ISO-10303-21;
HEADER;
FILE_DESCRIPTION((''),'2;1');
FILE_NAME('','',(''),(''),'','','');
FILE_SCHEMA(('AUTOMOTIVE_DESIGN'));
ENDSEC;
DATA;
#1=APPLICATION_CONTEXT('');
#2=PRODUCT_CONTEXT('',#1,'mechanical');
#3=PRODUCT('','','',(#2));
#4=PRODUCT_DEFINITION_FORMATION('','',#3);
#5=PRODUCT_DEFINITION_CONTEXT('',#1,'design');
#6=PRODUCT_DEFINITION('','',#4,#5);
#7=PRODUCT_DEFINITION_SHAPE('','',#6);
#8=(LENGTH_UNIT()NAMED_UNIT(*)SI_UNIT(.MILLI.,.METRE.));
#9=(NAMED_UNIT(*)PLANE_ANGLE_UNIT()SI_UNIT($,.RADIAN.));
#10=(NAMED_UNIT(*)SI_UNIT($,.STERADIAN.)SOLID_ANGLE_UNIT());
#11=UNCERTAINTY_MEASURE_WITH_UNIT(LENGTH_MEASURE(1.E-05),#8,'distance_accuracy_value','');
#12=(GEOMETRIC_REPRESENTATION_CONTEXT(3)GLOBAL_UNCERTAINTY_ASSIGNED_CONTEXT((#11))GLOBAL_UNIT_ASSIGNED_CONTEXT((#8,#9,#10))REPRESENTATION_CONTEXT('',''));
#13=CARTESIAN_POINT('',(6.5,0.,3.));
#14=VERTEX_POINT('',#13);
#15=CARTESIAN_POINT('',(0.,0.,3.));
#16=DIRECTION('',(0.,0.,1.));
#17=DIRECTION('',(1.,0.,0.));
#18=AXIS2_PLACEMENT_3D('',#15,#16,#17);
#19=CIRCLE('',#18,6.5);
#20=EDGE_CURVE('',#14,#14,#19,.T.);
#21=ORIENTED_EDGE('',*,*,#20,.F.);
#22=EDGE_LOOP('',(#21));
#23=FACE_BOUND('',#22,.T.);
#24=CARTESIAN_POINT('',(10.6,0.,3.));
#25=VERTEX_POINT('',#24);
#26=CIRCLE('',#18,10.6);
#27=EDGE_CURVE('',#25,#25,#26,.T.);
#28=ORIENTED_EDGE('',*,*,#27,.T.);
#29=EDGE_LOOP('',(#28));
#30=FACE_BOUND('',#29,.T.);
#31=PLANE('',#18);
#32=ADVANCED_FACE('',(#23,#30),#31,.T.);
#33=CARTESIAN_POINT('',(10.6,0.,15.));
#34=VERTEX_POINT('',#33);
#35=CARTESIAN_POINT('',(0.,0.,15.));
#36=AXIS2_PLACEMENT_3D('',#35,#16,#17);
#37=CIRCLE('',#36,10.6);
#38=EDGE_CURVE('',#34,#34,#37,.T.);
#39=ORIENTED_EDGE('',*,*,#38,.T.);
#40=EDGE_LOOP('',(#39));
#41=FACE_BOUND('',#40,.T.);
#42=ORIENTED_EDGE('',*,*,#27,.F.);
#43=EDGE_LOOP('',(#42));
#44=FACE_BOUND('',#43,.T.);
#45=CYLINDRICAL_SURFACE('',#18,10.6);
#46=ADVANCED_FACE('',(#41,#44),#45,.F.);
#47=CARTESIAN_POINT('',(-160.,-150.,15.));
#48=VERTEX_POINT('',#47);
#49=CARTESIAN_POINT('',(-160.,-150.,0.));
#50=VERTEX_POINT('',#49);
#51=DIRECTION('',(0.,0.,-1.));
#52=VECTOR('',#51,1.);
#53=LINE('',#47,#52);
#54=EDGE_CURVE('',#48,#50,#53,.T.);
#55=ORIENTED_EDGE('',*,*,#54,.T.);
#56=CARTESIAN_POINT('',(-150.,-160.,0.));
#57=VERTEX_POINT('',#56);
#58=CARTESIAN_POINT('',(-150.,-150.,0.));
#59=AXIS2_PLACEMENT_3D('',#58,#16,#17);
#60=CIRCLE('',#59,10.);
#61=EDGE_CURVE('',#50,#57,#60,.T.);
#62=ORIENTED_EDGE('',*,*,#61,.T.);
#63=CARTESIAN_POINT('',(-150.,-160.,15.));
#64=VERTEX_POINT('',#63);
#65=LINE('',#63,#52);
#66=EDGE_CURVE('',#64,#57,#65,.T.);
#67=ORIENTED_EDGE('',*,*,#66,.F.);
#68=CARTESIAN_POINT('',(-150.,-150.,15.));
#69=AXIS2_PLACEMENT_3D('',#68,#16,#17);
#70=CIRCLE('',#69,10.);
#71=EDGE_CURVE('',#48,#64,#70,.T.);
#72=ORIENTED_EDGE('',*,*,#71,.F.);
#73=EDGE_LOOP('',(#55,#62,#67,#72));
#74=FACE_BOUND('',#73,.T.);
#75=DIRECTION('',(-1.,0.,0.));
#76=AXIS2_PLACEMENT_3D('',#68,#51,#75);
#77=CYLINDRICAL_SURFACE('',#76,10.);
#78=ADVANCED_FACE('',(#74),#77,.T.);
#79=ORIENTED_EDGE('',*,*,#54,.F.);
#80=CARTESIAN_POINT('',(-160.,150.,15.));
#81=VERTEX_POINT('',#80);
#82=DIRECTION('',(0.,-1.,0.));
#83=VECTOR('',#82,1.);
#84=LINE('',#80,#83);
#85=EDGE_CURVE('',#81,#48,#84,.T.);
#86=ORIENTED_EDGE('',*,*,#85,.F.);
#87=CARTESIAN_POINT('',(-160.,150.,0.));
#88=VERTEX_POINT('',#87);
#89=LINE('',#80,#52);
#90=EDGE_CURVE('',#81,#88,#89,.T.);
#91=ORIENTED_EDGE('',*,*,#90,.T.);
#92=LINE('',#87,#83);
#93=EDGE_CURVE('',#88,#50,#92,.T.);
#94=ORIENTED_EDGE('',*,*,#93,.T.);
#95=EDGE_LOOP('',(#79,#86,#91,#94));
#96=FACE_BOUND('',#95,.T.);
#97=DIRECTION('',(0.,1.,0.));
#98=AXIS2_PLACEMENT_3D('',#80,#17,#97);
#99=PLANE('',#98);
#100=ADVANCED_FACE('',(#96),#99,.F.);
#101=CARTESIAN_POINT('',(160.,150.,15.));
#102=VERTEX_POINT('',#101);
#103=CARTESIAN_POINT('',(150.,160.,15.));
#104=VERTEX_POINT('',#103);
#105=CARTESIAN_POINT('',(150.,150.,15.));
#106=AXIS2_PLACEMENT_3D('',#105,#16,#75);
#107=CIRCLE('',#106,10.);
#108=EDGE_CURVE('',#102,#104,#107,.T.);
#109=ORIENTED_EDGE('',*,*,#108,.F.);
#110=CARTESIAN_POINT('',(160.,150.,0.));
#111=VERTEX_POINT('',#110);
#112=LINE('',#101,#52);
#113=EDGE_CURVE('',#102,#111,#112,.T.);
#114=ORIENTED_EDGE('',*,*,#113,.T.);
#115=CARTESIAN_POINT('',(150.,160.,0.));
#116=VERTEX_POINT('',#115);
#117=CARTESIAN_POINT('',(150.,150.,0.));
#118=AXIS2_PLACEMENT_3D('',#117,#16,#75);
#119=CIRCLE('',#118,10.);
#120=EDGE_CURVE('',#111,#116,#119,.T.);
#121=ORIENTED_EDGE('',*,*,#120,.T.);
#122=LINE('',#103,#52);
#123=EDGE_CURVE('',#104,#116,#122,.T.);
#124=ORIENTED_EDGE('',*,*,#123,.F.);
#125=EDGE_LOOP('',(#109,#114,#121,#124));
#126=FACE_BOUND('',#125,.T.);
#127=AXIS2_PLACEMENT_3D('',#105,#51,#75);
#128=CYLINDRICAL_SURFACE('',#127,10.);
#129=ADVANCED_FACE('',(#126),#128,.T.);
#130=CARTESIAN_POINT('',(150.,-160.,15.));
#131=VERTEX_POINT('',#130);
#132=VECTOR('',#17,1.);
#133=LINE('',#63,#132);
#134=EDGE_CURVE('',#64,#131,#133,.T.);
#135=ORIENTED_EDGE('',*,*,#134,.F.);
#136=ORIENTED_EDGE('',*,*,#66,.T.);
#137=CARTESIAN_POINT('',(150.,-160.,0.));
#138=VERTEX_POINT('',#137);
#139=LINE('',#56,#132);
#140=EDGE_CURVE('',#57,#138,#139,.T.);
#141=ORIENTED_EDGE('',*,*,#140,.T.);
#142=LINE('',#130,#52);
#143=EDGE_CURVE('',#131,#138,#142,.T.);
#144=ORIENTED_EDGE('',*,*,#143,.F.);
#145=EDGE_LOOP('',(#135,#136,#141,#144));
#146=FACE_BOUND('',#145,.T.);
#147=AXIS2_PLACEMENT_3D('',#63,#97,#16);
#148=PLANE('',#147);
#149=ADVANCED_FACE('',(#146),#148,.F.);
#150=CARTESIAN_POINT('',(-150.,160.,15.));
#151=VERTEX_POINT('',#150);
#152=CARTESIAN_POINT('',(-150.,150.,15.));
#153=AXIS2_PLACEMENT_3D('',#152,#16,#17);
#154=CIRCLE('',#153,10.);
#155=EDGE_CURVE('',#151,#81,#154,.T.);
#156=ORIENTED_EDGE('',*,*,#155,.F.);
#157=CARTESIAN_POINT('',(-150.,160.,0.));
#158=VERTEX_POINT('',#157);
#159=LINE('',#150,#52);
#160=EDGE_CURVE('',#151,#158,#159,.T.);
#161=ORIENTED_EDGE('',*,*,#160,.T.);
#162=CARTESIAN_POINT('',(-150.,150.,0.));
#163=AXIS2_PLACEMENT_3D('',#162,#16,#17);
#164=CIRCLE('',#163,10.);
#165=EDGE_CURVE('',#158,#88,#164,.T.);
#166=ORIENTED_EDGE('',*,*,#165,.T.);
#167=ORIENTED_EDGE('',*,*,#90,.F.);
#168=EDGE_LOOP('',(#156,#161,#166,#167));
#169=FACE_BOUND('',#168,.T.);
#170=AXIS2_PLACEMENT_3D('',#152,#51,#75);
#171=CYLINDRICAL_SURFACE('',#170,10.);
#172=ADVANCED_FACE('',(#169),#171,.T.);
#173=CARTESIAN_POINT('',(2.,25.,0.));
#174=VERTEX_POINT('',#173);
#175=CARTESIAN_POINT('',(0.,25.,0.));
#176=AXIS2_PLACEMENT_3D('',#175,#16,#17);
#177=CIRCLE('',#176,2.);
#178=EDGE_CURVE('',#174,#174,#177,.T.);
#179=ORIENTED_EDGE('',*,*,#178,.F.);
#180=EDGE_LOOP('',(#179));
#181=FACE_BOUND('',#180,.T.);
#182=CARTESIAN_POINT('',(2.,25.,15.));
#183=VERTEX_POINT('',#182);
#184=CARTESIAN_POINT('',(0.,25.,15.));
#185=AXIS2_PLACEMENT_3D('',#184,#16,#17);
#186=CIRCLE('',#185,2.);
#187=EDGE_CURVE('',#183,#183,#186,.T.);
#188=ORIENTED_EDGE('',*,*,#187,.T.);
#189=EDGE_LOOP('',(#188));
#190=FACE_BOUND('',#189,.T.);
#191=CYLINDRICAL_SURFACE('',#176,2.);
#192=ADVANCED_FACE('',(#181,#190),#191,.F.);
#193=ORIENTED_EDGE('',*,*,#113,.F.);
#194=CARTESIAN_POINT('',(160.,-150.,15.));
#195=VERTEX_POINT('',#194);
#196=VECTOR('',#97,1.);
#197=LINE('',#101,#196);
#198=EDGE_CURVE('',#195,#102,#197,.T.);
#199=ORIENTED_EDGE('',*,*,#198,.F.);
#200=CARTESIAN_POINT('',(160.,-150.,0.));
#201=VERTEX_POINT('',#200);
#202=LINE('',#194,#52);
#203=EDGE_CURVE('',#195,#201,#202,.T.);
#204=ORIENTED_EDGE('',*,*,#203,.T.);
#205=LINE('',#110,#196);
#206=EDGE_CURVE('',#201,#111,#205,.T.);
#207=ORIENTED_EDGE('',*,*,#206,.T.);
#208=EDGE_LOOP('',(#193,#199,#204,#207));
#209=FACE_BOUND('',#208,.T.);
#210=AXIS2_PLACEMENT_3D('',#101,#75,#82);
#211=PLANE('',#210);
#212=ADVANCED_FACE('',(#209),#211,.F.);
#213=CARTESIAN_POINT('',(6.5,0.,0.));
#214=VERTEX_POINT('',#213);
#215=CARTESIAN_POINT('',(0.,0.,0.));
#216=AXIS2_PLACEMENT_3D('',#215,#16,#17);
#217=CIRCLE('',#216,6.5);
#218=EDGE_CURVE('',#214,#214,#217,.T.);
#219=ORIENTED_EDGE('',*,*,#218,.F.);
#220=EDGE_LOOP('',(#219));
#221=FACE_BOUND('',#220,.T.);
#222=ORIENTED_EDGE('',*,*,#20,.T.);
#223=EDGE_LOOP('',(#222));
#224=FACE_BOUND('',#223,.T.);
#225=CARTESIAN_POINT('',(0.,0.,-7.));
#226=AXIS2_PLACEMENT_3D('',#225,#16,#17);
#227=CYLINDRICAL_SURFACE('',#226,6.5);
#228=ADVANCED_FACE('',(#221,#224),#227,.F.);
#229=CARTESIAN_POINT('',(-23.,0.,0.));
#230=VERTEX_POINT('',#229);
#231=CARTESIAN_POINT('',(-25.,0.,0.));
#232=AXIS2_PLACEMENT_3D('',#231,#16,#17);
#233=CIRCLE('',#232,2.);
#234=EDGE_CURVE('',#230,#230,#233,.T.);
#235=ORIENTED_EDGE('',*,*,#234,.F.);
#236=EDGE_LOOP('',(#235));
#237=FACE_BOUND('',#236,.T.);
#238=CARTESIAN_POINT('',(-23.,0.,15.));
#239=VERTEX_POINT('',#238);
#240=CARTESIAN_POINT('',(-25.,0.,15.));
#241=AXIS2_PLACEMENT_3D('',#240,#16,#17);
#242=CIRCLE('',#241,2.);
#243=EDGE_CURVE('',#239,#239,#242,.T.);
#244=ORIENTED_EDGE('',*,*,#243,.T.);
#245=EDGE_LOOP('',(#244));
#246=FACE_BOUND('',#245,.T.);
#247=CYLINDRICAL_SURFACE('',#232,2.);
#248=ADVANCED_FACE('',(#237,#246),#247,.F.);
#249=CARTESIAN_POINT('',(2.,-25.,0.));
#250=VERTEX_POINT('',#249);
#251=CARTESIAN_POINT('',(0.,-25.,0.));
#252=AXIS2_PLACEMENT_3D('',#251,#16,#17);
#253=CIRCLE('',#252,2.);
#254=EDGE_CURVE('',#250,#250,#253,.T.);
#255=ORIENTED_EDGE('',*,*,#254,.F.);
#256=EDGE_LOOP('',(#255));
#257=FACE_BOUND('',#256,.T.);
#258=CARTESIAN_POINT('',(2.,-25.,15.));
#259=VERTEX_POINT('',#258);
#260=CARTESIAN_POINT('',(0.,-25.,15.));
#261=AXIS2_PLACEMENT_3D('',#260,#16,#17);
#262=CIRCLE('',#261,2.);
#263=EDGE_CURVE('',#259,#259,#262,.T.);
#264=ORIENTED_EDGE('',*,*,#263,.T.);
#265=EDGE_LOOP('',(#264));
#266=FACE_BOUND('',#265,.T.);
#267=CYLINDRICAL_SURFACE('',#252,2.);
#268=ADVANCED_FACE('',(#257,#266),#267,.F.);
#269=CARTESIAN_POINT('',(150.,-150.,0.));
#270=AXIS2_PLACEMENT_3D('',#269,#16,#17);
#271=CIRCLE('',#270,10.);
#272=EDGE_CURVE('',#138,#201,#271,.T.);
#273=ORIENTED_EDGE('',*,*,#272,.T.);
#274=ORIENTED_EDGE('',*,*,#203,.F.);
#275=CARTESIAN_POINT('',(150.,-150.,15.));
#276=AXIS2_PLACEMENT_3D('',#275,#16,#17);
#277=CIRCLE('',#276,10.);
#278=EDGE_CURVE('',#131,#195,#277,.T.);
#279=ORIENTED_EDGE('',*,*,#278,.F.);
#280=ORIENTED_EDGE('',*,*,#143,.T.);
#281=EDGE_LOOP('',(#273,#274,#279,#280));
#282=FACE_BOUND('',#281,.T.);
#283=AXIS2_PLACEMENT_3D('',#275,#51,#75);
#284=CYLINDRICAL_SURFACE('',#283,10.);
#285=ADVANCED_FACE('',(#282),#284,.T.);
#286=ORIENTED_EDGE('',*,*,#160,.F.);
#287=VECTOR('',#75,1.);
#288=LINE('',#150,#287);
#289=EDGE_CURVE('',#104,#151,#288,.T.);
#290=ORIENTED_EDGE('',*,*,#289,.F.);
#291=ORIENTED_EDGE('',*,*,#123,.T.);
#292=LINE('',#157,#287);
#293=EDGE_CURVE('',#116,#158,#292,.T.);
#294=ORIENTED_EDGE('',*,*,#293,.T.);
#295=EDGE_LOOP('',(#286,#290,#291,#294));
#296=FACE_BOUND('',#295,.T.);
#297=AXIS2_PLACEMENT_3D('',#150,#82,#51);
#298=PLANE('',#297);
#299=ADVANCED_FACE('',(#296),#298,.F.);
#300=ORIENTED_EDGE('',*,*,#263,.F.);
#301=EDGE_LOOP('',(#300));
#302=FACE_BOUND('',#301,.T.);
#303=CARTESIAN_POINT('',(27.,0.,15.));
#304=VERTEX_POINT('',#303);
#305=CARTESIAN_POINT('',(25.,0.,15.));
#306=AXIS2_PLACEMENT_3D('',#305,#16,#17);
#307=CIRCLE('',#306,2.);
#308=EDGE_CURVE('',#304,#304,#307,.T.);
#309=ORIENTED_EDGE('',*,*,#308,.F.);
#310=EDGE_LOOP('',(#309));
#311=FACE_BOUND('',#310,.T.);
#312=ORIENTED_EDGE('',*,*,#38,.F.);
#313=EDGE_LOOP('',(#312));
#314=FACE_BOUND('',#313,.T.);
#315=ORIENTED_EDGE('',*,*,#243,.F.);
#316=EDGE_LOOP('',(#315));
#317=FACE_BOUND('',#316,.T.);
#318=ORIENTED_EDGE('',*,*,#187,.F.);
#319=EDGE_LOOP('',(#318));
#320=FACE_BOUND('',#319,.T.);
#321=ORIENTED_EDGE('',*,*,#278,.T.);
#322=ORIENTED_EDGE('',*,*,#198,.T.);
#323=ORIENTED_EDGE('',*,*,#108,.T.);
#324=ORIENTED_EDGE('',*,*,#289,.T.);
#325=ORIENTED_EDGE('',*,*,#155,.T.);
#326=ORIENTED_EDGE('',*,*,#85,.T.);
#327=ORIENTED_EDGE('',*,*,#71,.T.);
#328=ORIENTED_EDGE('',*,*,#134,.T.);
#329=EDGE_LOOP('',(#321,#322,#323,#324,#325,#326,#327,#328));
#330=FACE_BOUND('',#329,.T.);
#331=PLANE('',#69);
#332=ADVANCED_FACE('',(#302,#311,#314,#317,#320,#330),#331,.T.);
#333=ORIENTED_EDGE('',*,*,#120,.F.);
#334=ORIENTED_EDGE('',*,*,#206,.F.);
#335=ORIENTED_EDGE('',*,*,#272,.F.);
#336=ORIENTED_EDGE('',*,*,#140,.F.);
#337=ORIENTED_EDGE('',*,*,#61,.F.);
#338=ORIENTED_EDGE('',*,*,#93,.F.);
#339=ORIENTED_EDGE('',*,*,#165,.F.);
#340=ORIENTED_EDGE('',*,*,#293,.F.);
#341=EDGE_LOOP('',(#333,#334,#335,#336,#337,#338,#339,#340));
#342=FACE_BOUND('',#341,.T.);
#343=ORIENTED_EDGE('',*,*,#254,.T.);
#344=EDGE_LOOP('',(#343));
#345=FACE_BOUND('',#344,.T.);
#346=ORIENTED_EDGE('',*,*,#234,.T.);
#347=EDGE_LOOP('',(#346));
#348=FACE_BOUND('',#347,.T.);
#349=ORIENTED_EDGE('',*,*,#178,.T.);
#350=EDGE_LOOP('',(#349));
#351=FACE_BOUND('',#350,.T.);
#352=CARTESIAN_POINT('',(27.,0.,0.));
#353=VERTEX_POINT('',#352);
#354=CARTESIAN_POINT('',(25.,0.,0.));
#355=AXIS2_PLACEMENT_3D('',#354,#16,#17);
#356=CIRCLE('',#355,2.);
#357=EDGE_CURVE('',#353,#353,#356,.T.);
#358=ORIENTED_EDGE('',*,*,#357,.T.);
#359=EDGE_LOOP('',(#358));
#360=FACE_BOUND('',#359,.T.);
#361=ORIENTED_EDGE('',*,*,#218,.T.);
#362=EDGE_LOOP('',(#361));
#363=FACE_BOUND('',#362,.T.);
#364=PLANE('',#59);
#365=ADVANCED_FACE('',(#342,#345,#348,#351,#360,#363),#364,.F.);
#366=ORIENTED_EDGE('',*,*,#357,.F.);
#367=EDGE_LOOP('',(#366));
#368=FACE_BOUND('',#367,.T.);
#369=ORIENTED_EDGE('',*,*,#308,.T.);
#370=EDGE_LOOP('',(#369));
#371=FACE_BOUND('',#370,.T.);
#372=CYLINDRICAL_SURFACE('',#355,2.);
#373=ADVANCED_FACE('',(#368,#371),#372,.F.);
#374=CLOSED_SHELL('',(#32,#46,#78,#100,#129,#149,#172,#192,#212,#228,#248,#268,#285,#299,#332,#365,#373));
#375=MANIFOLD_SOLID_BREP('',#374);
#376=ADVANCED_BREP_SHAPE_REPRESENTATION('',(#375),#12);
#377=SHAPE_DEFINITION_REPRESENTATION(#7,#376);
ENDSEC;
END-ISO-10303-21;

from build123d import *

# Parameters (mm, degrees)
BOSS_EXTRUDE1_DEPTH = 15
SKETCH2_R           = 10.6
CUT_EXTRUDE1_DEPTH  = 12
SKETCH3_R           = 6.5
CUT_EXTRUDE2_DEPTH  = 10
SKETCH4_R           = 2
CUT_EXTRUDE3_DEPTH  = 15


with BuildPart() as part:
    # Sketch1 → Boss-Extrude1 (new body)
    with BuildSketch(Plane.XY):
        with BuildLine():
            Line((-150, 160), (150, 160))
            ThreePointArc((150, 160), (157.071067812, 157.071067812), (160, 150))
            Line((160, 150), (160, -150))
            ThreePointArc((160, -150), (157.071067812, -157.071067812), (150, -160))
            Line((150, -160), (-150, -160))
            ThreePointArc((-150, -160), (-157.071067812, -157.071067812), (-160, -150))
            Line((-160, -150), (-160, 150))
            ThreePointArc((-160, 150), (-157.071067812, 157.071067812), (-150, 160))
        make_face()
    extrude(amount=BOSS_EXTRUDE1_DEPTH)

    # Sketch2 → Cut-Extrude1 (cut)
    with BuildSketch(Plane.XY.offset(15)):
        Circle(SKETCH2_R)
    extrude(amount=-CUT_EXTRUDE1_DEPTH, mode=Mode.SUBTRACT)

    # Sketch3 → Cut-Extrude2 (cut)
    with BuildSketch(Plane.XY.offset(3)):
        Circle(SKETCH3_R)
    extrude(amount=-CUT_EXTRUDE2_DEPTH, mode=Mode.SUBTRACT)

    # Sketch4 → Cut-Extrude3 (cut)
    with BuildSketch(Plane.XY.offset(15)):
        with Locations((0, 25)):
            Circle(SKETCH4_R)
        with Locations((25, 0)):
            Circle(SKETCH4_R)
        with Locations((0, -25)):
            Circle(SKETCH4_R)
        with Locations((-25, 0)):
            Circle(SKETCH4_R)
    extrude(amount=-CUT_EXTRUDE3_DEPTH, mode=Mode.SUBTRACT)


solid = part.part
